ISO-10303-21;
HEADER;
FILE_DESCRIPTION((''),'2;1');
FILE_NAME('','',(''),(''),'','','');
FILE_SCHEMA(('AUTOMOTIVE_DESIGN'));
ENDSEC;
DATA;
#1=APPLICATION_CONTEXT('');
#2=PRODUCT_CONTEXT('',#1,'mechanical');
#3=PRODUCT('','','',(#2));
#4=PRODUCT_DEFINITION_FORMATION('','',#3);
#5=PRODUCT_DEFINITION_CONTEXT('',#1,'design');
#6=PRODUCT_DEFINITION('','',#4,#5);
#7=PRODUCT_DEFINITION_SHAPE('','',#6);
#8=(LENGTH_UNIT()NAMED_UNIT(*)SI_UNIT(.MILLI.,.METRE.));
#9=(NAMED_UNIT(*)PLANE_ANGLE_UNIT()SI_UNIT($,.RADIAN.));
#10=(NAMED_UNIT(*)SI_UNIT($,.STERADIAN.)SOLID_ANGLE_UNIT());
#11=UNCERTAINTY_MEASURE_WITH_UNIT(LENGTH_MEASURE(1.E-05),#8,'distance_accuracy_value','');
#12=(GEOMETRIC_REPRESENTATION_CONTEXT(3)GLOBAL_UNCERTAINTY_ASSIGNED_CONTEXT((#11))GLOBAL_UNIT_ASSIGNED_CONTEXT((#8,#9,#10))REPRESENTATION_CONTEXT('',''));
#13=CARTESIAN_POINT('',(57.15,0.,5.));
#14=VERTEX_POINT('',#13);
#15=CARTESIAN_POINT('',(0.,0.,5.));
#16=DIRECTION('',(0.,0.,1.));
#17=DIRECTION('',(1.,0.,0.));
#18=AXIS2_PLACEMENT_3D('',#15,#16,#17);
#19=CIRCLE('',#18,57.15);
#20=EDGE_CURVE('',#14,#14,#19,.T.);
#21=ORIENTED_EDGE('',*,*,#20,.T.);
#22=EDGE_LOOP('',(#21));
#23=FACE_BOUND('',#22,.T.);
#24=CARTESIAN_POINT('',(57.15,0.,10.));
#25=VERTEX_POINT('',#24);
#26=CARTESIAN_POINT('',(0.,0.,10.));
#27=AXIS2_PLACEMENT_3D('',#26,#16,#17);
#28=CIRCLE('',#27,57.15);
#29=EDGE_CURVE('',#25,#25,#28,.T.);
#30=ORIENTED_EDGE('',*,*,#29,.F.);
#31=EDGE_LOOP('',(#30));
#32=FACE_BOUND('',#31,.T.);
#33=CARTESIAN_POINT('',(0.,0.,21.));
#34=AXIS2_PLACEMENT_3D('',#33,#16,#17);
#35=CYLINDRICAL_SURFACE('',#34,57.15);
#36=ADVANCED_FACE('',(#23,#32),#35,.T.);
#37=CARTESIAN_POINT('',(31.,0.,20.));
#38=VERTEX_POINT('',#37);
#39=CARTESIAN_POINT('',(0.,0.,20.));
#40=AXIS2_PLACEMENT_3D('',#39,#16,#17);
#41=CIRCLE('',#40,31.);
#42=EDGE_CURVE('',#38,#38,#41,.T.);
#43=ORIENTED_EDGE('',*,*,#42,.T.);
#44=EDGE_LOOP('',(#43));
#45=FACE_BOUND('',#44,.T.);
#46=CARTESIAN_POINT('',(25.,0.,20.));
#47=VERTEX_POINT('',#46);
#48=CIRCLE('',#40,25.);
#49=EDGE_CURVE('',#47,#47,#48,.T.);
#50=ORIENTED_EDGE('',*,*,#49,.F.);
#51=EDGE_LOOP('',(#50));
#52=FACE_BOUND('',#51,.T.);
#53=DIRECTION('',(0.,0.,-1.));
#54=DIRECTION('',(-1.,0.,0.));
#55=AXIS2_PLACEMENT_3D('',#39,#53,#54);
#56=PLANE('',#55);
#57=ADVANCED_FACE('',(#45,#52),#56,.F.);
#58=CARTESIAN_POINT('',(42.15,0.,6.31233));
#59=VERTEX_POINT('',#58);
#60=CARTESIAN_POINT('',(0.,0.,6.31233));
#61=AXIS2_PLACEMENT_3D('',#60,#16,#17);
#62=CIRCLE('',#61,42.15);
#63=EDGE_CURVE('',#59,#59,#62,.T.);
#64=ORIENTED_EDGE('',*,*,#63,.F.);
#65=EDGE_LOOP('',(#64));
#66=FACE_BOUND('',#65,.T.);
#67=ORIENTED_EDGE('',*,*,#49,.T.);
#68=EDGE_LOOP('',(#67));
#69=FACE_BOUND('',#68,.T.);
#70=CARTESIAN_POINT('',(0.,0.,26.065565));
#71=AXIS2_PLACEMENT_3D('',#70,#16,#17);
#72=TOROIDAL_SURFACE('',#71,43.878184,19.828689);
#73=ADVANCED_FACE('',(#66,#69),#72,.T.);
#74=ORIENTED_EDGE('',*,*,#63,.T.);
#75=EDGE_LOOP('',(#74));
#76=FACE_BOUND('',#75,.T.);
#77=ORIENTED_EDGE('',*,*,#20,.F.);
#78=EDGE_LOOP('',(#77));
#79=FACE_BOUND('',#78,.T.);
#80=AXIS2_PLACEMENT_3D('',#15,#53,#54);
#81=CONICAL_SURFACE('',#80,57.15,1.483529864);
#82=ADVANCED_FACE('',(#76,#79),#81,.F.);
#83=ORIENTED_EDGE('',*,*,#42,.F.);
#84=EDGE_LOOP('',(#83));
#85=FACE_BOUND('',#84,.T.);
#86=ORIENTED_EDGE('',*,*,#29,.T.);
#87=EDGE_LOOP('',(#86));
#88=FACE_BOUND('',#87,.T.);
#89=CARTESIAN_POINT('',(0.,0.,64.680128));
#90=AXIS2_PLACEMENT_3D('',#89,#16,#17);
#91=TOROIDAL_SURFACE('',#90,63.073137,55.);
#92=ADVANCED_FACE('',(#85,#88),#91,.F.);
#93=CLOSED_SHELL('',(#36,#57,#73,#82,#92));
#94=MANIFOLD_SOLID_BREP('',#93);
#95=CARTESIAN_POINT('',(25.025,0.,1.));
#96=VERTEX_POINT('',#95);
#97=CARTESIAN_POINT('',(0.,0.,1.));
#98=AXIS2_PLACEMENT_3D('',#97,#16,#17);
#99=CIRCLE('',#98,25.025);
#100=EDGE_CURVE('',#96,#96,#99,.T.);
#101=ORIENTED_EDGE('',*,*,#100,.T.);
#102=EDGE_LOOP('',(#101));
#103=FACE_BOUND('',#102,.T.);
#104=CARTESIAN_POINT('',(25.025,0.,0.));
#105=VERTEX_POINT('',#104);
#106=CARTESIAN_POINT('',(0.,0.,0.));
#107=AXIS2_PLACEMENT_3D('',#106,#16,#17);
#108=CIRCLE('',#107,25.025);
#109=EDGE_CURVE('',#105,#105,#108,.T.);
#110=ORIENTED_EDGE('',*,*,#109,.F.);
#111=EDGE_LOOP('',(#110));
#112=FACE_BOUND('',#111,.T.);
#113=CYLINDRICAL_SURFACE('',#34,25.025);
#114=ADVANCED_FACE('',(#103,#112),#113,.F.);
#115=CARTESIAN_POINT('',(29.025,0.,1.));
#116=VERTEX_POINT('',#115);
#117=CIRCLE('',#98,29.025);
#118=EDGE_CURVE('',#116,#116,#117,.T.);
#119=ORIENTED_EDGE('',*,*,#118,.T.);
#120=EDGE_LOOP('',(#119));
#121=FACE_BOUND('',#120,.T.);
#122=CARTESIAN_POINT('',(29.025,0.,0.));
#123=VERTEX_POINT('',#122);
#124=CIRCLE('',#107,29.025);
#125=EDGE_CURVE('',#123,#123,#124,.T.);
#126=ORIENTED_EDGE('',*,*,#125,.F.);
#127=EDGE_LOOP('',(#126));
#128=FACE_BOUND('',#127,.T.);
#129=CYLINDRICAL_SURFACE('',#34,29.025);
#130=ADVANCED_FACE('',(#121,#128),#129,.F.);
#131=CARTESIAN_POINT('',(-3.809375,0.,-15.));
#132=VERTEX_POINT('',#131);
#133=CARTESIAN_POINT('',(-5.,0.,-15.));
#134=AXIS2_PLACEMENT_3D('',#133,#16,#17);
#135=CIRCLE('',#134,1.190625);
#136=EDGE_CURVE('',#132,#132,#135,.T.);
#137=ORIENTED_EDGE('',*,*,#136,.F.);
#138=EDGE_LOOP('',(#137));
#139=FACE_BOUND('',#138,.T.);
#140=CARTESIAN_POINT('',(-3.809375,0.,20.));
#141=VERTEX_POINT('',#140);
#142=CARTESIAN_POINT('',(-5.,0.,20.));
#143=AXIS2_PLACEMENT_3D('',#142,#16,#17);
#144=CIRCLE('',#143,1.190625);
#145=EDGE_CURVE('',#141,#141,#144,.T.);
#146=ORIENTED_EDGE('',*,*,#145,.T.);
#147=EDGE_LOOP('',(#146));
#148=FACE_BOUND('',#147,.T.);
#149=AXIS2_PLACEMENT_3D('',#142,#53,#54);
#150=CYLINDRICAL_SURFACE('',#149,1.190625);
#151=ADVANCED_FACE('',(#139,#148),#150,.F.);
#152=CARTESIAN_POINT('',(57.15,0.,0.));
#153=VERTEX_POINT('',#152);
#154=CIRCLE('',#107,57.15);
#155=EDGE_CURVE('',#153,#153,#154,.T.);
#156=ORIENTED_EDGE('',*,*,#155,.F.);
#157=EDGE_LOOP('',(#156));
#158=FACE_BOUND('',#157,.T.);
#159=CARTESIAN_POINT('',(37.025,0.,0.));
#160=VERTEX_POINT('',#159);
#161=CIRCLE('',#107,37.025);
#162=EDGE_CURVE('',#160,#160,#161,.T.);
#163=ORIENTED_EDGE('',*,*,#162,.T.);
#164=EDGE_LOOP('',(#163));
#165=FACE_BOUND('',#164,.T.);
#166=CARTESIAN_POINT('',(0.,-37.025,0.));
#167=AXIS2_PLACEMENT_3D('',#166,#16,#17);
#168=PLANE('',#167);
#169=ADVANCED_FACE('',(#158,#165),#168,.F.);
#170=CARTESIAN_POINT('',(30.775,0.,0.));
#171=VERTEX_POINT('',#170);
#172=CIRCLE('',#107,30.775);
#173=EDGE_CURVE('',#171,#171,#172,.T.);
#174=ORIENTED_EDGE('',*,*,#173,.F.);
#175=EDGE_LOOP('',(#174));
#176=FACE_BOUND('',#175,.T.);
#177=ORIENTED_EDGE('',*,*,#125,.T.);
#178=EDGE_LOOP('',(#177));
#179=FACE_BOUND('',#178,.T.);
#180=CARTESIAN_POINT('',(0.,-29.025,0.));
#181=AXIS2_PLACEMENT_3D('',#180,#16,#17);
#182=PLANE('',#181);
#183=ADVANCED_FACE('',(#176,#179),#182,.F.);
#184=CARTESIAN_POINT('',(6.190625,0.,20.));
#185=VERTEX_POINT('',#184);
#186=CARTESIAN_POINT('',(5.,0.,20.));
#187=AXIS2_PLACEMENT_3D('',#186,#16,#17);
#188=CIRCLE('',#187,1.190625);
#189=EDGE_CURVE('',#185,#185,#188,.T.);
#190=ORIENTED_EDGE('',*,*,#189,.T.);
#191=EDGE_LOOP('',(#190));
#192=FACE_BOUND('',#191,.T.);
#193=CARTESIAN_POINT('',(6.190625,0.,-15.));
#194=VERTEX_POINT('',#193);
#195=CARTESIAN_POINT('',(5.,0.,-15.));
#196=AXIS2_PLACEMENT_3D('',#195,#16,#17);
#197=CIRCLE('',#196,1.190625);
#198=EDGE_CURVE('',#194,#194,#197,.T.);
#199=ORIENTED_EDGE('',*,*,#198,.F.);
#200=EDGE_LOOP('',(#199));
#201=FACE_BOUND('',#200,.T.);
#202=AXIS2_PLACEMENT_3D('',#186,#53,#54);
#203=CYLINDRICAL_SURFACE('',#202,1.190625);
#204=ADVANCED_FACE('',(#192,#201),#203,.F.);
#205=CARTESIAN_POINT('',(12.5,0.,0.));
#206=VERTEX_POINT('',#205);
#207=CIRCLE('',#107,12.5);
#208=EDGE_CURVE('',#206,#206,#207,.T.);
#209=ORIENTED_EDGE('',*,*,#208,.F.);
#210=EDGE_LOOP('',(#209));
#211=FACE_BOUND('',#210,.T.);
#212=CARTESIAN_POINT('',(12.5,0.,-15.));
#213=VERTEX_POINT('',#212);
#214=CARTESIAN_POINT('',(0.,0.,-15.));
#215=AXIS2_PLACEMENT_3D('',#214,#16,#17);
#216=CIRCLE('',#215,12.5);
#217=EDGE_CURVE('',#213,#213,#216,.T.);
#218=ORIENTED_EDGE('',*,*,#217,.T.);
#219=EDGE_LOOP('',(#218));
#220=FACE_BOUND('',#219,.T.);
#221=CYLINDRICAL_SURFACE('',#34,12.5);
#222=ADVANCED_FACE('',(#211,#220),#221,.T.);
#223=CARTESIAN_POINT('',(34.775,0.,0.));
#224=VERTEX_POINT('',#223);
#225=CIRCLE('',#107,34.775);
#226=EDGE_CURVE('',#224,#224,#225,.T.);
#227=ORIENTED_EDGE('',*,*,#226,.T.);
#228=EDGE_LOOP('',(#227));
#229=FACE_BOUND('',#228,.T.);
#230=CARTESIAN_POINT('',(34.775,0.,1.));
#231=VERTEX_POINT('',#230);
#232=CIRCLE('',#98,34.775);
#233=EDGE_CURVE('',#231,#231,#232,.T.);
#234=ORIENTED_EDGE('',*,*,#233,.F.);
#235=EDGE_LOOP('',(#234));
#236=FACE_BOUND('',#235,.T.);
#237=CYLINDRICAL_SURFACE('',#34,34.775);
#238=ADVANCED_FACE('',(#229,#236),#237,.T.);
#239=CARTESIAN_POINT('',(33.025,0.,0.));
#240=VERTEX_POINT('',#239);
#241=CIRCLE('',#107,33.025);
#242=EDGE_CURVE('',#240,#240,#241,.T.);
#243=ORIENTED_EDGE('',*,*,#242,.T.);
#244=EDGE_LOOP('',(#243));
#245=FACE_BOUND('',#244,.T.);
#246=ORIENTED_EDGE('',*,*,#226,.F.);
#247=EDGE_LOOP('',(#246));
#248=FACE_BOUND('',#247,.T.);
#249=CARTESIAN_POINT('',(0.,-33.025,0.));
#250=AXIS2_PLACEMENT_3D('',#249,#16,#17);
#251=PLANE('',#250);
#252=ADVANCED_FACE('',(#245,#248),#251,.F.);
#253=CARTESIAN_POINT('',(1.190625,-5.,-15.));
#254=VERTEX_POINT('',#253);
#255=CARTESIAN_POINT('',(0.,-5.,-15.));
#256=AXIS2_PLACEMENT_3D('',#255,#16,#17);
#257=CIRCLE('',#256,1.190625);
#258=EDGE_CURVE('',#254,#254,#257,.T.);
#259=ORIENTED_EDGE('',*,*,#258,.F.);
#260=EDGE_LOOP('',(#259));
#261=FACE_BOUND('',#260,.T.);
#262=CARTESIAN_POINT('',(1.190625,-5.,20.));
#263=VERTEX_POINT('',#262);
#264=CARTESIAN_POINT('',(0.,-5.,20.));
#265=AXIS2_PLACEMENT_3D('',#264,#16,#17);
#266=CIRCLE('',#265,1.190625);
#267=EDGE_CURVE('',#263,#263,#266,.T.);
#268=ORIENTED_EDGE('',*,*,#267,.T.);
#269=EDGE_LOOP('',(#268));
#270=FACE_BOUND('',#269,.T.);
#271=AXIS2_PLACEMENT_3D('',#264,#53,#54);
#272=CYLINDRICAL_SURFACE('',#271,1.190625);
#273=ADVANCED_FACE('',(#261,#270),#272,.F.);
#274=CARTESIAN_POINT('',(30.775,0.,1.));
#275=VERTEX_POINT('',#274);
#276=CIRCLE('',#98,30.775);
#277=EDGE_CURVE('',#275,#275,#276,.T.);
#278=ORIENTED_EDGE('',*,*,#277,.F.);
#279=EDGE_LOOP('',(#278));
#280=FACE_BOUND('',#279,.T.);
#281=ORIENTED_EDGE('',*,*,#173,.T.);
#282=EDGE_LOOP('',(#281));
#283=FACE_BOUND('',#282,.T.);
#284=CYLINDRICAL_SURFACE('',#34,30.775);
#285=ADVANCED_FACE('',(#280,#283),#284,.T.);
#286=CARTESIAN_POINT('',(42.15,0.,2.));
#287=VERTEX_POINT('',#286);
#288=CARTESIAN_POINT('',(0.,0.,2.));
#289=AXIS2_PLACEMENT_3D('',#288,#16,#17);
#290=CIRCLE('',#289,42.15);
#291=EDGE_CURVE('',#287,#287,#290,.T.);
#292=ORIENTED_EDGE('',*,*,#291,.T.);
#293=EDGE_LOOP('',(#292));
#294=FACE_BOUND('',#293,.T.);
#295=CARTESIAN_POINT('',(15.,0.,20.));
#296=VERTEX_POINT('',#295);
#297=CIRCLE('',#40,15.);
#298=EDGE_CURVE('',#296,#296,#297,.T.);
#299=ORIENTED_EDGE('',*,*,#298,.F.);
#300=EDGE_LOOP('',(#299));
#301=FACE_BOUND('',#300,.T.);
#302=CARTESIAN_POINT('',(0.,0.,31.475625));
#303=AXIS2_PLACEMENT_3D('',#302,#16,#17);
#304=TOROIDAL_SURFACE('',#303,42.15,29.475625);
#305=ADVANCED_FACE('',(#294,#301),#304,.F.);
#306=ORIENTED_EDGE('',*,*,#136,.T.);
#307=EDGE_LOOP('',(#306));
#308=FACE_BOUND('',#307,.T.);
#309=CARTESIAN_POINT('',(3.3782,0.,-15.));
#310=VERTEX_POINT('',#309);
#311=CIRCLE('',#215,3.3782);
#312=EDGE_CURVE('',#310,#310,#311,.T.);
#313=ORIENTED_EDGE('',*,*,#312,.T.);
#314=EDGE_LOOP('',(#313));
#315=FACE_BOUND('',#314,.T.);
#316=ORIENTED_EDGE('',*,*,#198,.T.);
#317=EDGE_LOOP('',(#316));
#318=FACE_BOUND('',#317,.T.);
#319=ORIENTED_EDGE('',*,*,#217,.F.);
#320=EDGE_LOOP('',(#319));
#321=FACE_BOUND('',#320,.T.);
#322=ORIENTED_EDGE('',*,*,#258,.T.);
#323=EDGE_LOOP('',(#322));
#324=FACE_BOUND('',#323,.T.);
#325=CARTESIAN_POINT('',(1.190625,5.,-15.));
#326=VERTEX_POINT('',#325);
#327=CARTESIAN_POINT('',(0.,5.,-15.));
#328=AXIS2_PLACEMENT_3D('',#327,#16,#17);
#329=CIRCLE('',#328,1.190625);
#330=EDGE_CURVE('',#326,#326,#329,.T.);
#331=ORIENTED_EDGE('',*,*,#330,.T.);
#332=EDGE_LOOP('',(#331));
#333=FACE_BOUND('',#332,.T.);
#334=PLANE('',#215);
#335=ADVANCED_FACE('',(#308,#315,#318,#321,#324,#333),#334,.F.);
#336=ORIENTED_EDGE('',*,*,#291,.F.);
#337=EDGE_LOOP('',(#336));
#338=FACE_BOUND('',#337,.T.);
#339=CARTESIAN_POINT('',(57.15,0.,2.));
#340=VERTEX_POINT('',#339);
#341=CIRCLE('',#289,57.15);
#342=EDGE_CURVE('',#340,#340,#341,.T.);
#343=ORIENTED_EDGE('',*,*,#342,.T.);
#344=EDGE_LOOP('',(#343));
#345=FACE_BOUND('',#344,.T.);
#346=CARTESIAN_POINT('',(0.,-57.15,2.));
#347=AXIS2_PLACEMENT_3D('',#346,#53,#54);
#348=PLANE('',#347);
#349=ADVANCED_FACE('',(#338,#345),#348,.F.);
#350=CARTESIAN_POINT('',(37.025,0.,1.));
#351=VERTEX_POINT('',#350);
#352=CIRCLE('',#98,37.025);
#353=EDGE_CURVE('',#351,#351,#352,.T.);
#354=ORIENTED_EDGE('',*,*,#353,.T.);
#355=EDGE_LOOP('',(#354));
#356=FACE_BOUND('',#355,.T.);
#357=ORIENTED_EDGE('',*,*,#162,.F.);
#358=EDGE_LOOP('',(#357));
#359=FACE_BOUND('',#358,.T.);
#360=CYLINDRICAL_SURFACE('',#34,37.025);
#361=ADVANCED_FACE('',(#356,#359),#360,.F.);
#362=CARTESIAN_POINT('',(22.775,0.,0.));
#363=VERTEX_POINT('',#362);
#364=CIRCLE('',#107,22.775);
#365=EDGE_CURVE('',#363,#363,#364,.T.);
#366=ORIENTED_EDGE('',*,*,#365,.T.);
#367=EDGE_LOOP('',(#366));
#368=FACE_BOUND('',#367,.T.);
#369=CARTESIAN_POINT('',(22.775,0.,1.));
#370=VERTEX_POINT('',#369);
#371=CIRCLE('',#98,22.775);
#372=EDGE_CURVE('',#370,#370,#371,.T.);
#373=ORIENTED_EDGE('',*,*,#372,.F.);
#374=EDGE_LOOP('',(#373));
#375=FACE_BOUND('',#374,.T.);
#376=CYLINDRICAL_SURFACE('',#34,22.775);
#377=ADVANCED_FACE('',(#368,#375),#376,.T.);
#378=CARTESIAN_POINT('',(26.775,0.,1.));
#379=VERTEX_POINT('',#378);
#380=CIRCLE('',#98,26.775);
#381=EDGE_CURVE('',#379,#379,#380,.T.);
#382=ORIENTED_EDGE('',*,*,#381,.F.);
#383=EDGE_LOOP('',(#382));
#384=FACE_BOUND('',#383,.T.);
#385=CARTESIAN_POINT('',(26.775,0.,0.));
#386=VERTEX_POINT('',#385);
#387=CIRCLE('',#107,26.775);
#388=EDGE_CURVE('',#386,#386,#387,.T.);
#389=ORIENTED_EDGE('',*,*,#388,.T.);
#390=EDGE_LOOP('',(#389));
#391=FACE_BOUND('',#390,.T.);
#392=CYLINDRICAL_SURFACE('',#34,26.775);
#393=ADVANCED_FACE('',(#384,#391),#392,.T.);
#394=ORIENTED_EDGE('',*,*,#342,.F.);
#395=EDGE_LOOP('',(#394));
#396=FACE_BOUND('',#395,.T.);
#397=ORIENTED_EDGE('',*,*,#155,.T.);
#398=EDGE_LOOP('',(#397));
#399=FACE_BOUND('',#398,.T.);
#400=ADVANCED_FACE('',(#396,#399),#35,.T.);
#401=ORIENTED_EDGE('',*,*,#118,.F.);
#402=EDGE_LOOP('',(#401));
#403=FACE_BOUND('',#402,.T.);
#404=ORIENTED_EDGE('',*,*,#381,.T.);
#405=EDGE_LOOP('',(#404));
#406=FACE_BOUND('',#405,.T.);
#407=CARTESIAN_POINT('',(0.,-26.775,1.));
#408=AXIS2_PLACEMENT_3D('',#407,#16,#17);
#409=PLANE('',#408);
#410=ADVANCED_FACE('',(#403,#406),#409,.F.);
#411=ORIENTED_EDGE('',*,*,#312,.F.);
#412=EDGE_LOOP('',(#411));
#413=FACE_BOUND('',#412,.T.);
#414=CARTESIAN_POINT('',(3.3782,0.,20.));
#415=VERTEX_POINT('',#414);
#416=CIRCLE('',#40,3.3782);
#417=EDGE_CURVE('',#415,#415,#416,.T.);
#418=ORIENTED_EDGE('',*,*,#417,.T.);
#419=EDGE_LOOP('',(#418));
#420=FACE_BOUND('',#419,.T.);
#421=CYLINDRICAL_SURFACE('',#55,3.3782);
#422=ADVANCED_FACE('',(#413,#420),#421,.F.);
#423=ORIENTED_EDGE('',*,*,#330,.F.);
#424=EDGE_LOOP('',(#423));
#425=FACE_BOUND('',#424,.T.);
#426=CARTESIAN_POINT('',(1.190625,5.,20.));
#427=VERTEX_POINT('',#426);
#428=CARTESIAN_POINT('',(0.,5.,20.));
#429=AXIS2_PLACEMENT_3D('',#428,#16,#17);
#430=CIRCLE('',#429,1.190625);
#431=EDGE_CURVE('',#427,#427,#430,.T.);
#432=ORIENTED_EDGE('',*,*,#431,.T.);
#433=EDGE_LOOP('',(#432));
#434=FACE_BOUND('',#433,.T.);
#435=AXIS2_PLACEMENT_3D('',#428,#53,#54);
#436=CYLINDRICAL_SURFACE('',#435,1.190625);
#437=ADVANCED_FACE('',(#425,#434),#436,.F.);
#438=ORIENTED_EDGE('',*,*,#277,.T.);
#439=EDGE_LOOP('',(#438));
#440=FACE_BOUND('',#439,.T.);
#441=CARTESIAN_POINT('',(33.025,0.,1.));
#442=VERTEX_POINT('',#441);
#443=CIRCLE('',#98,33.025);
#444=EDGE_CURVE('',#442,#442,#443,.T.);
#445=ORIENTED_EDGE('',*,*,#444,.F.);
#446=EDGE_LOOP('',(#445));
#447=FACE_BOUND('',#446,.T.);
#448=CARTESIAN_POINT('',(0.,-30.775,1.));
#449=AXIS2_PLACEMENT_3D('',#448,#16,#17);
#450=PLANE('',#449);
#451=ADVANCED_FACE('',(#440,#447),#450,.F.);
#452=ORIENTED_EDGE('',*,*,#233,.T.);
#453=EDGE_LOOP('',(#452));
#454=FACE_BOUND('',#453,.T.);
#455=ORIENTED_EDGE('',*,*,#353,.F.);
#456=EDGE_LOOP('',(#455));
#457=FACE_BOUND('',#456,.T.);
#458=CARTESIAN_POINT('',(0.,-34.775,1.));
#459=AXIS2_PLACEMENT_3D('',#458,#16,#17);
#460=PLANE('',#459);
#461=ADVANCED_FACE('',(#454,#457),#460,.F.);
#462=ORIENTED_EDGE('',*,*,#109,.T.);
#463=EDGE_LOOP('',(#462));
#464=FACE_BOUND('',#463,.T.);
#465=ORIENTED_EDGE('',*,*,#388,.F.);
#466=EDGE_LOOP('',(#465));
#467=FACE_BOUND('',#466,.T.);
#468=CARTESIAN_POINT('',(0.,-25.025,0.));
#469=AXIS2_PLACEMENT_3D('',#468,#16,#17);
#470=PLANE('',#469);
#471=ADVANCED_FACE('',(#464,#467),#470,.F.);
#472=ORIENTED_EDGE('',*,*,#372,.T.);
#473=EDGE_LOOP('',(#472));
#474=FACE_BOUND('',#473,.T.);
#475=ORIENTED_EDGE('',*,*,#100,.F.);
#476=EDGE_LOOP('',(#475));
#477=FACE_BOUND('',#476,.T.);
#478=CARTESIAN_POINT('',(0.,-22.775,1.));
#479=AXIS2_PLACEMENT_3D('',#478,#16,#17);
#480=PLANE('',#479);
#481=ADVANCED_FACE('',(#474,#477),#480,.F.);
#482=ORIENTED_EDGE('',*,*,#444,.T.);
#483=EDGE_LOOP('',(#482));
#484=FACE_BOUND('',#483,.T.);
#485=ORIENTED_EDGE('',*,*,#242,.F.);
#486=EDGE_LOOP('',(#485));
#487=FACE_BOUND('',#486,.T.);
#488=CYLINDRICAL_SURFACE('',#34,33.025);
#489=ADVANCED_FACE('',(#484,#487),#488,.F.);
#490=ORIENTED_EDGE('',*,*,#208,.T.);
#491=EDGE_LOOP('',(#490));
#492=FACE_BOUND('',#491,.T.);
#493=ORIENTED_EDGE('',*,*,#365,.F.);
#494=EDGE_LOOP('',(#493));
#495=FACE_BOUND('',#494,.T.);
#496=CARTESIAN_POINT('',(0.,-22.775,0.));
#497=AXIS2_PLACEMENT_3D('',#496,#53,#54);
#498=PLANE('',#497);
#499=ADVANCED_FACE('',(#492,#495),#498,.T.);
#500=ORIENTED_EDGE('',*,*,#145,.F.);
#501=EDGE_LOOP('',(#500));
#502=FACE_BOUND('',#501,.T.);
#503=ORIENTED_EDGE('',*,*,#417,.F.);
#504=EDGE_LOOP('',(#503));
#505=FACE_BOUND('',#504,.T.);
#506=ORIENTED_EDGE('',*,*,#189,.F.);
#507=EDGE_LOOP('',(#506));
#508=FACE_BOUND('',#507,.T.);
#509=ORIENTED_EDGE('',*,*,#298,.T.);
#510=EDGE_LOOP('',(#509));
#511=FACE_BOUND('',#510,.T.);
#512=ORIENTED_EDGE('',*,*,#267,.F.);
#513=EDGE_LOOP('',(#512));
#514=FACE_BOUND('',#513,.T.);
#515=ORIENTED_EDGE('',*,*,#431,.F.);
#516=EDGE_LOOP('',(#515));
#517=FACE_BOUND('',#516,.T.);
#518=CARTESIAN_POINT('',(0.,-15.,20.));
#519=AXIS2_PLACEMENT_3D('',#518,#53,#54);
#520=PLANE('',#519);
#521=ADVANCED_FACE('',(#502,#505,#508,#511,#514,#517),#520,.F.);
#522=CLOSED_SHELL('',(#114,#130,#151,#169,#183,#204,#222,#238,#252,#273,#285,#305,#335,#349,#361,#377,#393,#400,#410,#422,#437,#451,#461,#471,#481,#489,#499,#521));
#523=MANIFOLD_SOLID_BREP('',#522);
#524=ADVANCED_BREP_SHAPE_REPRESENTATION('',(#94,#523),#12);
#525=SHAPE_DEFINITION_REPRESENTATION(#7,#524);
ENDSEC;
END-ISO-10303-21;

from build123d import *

# Parameters (mm, degrees)
CUT_EXTRUDE1_DEPTH      = 84.260104492
CUT_EXTRUDE1_DEPTH_BACK = 84.260104492
SKETCH2_R               = 1.190625
SKETCH2_R_2             = 3.3782


with BuildPart() as part:
    # Sketch1 → Revolve1 (revolve)
    with BuildSketch(Plane.YZ, mode=Mode.PRIVATE) as revolve1_sk:
        with BuildLine():
            Line((-57.15, 10), (-57.15, 5))
            Line((-57.15, 5), (-42.15, 6.312329953))
            ThreePointArc((-42.15, 6.312329953), (-31.509122685, 10.567718891), (-25, 20))
            Line((-25, 20), (-31, 20))
            ThreePointArc((-31, 20), (-43.428055952, 13.308241315), (-57.15, 10))
        make_face()
        with BuildLine():
            ThreePointArc((-42.15, 2), (-25.862562356, 6.908739887), (-15, 20))
            Line((-15, 20), (0, 20))
            Line((0, 20), (0, -15))
            Line((0, -15), (-12.5, -15))
            Line((-12.5, -15), (-12.5, 0))
            Line((-12.5, 0), (-22.775, 0))
            Line((-22.775, 0), (-22.775, 1))
            Line((-22.775, 1), (-25.025, 1))
            Line((-25.025, 1), (-25.025, 0))
            Line((-25.025, 0), (-26.775, 0))
            Line((-26.775, 0), (-26.775, 1))
            Line((-26.775, 1), (-29.025, 1))
            Line((-29.025, 1), (-29.025, 0))
            Line((-29.025, 0), (-30.775, 0))
            Line((-30.775, 0), (-30.775, 1))
            Line((-30.775, 1), (-33.025, 1))
            Line((-33.025, 1), (-33.025, 0))
            Line((-33.025, 0), (-34.775, 0))
            Line((-34.775, 0), (-34.775, 1))
            Line((-34.775, 1), (-37.025, 1))
            Line((-37.025, 1), (-37.025, 0))
            Line((-37.025, 0), (-57.15, 0))
            Line((-57.15, 0), (-57.15, 2))
            Line((-57.15, 2), (-42.15, 2))
        make_face()
    revolve(revolve1_sk.sketch.rotate(Axis((0, 0, 21), (0, 0, -1)), 270), axis=Axis((0, 0, 21), (0, 0, -1)))

    # Sketch2 → Cut-Extrude1 (cut, two sides: drawn at the far end of the back side and taken through both)
    with BuildSketch(Plane(origin=(0, 0, 0), x_dir=(0, 1, 0), z_dir=(0, 0, 1)).offset(-CUT_EXTRUDE1_DEPTH_BACK)):
        with Locations(Location((-5, 0, 0), (0, 0, 270))):
            Circle(SKETCH2_R)
        with Locations(Location((0, 5, 0), (0, 0, 270))):
            Circle(SKETCH2_R)
        with Locations(Location((5, 0, 0), (0, 0, 270))):
            Circle(SKETCH2_R)
        with Locations(Location((0, -5, 0), (0, 0, 270))):
            Circle(SKETCH2_R)
        with Locations(Location((0, 0, 0), (0, 0, 270))):
            Circle(SKETCH2_R_2)
    extrude(amount=CUT_EXTRUDE1_DEPTH + CUT_EXTRUDE1_DEPTH_BACK, mode=Mode.SUBTRACT)


solid = part.part
